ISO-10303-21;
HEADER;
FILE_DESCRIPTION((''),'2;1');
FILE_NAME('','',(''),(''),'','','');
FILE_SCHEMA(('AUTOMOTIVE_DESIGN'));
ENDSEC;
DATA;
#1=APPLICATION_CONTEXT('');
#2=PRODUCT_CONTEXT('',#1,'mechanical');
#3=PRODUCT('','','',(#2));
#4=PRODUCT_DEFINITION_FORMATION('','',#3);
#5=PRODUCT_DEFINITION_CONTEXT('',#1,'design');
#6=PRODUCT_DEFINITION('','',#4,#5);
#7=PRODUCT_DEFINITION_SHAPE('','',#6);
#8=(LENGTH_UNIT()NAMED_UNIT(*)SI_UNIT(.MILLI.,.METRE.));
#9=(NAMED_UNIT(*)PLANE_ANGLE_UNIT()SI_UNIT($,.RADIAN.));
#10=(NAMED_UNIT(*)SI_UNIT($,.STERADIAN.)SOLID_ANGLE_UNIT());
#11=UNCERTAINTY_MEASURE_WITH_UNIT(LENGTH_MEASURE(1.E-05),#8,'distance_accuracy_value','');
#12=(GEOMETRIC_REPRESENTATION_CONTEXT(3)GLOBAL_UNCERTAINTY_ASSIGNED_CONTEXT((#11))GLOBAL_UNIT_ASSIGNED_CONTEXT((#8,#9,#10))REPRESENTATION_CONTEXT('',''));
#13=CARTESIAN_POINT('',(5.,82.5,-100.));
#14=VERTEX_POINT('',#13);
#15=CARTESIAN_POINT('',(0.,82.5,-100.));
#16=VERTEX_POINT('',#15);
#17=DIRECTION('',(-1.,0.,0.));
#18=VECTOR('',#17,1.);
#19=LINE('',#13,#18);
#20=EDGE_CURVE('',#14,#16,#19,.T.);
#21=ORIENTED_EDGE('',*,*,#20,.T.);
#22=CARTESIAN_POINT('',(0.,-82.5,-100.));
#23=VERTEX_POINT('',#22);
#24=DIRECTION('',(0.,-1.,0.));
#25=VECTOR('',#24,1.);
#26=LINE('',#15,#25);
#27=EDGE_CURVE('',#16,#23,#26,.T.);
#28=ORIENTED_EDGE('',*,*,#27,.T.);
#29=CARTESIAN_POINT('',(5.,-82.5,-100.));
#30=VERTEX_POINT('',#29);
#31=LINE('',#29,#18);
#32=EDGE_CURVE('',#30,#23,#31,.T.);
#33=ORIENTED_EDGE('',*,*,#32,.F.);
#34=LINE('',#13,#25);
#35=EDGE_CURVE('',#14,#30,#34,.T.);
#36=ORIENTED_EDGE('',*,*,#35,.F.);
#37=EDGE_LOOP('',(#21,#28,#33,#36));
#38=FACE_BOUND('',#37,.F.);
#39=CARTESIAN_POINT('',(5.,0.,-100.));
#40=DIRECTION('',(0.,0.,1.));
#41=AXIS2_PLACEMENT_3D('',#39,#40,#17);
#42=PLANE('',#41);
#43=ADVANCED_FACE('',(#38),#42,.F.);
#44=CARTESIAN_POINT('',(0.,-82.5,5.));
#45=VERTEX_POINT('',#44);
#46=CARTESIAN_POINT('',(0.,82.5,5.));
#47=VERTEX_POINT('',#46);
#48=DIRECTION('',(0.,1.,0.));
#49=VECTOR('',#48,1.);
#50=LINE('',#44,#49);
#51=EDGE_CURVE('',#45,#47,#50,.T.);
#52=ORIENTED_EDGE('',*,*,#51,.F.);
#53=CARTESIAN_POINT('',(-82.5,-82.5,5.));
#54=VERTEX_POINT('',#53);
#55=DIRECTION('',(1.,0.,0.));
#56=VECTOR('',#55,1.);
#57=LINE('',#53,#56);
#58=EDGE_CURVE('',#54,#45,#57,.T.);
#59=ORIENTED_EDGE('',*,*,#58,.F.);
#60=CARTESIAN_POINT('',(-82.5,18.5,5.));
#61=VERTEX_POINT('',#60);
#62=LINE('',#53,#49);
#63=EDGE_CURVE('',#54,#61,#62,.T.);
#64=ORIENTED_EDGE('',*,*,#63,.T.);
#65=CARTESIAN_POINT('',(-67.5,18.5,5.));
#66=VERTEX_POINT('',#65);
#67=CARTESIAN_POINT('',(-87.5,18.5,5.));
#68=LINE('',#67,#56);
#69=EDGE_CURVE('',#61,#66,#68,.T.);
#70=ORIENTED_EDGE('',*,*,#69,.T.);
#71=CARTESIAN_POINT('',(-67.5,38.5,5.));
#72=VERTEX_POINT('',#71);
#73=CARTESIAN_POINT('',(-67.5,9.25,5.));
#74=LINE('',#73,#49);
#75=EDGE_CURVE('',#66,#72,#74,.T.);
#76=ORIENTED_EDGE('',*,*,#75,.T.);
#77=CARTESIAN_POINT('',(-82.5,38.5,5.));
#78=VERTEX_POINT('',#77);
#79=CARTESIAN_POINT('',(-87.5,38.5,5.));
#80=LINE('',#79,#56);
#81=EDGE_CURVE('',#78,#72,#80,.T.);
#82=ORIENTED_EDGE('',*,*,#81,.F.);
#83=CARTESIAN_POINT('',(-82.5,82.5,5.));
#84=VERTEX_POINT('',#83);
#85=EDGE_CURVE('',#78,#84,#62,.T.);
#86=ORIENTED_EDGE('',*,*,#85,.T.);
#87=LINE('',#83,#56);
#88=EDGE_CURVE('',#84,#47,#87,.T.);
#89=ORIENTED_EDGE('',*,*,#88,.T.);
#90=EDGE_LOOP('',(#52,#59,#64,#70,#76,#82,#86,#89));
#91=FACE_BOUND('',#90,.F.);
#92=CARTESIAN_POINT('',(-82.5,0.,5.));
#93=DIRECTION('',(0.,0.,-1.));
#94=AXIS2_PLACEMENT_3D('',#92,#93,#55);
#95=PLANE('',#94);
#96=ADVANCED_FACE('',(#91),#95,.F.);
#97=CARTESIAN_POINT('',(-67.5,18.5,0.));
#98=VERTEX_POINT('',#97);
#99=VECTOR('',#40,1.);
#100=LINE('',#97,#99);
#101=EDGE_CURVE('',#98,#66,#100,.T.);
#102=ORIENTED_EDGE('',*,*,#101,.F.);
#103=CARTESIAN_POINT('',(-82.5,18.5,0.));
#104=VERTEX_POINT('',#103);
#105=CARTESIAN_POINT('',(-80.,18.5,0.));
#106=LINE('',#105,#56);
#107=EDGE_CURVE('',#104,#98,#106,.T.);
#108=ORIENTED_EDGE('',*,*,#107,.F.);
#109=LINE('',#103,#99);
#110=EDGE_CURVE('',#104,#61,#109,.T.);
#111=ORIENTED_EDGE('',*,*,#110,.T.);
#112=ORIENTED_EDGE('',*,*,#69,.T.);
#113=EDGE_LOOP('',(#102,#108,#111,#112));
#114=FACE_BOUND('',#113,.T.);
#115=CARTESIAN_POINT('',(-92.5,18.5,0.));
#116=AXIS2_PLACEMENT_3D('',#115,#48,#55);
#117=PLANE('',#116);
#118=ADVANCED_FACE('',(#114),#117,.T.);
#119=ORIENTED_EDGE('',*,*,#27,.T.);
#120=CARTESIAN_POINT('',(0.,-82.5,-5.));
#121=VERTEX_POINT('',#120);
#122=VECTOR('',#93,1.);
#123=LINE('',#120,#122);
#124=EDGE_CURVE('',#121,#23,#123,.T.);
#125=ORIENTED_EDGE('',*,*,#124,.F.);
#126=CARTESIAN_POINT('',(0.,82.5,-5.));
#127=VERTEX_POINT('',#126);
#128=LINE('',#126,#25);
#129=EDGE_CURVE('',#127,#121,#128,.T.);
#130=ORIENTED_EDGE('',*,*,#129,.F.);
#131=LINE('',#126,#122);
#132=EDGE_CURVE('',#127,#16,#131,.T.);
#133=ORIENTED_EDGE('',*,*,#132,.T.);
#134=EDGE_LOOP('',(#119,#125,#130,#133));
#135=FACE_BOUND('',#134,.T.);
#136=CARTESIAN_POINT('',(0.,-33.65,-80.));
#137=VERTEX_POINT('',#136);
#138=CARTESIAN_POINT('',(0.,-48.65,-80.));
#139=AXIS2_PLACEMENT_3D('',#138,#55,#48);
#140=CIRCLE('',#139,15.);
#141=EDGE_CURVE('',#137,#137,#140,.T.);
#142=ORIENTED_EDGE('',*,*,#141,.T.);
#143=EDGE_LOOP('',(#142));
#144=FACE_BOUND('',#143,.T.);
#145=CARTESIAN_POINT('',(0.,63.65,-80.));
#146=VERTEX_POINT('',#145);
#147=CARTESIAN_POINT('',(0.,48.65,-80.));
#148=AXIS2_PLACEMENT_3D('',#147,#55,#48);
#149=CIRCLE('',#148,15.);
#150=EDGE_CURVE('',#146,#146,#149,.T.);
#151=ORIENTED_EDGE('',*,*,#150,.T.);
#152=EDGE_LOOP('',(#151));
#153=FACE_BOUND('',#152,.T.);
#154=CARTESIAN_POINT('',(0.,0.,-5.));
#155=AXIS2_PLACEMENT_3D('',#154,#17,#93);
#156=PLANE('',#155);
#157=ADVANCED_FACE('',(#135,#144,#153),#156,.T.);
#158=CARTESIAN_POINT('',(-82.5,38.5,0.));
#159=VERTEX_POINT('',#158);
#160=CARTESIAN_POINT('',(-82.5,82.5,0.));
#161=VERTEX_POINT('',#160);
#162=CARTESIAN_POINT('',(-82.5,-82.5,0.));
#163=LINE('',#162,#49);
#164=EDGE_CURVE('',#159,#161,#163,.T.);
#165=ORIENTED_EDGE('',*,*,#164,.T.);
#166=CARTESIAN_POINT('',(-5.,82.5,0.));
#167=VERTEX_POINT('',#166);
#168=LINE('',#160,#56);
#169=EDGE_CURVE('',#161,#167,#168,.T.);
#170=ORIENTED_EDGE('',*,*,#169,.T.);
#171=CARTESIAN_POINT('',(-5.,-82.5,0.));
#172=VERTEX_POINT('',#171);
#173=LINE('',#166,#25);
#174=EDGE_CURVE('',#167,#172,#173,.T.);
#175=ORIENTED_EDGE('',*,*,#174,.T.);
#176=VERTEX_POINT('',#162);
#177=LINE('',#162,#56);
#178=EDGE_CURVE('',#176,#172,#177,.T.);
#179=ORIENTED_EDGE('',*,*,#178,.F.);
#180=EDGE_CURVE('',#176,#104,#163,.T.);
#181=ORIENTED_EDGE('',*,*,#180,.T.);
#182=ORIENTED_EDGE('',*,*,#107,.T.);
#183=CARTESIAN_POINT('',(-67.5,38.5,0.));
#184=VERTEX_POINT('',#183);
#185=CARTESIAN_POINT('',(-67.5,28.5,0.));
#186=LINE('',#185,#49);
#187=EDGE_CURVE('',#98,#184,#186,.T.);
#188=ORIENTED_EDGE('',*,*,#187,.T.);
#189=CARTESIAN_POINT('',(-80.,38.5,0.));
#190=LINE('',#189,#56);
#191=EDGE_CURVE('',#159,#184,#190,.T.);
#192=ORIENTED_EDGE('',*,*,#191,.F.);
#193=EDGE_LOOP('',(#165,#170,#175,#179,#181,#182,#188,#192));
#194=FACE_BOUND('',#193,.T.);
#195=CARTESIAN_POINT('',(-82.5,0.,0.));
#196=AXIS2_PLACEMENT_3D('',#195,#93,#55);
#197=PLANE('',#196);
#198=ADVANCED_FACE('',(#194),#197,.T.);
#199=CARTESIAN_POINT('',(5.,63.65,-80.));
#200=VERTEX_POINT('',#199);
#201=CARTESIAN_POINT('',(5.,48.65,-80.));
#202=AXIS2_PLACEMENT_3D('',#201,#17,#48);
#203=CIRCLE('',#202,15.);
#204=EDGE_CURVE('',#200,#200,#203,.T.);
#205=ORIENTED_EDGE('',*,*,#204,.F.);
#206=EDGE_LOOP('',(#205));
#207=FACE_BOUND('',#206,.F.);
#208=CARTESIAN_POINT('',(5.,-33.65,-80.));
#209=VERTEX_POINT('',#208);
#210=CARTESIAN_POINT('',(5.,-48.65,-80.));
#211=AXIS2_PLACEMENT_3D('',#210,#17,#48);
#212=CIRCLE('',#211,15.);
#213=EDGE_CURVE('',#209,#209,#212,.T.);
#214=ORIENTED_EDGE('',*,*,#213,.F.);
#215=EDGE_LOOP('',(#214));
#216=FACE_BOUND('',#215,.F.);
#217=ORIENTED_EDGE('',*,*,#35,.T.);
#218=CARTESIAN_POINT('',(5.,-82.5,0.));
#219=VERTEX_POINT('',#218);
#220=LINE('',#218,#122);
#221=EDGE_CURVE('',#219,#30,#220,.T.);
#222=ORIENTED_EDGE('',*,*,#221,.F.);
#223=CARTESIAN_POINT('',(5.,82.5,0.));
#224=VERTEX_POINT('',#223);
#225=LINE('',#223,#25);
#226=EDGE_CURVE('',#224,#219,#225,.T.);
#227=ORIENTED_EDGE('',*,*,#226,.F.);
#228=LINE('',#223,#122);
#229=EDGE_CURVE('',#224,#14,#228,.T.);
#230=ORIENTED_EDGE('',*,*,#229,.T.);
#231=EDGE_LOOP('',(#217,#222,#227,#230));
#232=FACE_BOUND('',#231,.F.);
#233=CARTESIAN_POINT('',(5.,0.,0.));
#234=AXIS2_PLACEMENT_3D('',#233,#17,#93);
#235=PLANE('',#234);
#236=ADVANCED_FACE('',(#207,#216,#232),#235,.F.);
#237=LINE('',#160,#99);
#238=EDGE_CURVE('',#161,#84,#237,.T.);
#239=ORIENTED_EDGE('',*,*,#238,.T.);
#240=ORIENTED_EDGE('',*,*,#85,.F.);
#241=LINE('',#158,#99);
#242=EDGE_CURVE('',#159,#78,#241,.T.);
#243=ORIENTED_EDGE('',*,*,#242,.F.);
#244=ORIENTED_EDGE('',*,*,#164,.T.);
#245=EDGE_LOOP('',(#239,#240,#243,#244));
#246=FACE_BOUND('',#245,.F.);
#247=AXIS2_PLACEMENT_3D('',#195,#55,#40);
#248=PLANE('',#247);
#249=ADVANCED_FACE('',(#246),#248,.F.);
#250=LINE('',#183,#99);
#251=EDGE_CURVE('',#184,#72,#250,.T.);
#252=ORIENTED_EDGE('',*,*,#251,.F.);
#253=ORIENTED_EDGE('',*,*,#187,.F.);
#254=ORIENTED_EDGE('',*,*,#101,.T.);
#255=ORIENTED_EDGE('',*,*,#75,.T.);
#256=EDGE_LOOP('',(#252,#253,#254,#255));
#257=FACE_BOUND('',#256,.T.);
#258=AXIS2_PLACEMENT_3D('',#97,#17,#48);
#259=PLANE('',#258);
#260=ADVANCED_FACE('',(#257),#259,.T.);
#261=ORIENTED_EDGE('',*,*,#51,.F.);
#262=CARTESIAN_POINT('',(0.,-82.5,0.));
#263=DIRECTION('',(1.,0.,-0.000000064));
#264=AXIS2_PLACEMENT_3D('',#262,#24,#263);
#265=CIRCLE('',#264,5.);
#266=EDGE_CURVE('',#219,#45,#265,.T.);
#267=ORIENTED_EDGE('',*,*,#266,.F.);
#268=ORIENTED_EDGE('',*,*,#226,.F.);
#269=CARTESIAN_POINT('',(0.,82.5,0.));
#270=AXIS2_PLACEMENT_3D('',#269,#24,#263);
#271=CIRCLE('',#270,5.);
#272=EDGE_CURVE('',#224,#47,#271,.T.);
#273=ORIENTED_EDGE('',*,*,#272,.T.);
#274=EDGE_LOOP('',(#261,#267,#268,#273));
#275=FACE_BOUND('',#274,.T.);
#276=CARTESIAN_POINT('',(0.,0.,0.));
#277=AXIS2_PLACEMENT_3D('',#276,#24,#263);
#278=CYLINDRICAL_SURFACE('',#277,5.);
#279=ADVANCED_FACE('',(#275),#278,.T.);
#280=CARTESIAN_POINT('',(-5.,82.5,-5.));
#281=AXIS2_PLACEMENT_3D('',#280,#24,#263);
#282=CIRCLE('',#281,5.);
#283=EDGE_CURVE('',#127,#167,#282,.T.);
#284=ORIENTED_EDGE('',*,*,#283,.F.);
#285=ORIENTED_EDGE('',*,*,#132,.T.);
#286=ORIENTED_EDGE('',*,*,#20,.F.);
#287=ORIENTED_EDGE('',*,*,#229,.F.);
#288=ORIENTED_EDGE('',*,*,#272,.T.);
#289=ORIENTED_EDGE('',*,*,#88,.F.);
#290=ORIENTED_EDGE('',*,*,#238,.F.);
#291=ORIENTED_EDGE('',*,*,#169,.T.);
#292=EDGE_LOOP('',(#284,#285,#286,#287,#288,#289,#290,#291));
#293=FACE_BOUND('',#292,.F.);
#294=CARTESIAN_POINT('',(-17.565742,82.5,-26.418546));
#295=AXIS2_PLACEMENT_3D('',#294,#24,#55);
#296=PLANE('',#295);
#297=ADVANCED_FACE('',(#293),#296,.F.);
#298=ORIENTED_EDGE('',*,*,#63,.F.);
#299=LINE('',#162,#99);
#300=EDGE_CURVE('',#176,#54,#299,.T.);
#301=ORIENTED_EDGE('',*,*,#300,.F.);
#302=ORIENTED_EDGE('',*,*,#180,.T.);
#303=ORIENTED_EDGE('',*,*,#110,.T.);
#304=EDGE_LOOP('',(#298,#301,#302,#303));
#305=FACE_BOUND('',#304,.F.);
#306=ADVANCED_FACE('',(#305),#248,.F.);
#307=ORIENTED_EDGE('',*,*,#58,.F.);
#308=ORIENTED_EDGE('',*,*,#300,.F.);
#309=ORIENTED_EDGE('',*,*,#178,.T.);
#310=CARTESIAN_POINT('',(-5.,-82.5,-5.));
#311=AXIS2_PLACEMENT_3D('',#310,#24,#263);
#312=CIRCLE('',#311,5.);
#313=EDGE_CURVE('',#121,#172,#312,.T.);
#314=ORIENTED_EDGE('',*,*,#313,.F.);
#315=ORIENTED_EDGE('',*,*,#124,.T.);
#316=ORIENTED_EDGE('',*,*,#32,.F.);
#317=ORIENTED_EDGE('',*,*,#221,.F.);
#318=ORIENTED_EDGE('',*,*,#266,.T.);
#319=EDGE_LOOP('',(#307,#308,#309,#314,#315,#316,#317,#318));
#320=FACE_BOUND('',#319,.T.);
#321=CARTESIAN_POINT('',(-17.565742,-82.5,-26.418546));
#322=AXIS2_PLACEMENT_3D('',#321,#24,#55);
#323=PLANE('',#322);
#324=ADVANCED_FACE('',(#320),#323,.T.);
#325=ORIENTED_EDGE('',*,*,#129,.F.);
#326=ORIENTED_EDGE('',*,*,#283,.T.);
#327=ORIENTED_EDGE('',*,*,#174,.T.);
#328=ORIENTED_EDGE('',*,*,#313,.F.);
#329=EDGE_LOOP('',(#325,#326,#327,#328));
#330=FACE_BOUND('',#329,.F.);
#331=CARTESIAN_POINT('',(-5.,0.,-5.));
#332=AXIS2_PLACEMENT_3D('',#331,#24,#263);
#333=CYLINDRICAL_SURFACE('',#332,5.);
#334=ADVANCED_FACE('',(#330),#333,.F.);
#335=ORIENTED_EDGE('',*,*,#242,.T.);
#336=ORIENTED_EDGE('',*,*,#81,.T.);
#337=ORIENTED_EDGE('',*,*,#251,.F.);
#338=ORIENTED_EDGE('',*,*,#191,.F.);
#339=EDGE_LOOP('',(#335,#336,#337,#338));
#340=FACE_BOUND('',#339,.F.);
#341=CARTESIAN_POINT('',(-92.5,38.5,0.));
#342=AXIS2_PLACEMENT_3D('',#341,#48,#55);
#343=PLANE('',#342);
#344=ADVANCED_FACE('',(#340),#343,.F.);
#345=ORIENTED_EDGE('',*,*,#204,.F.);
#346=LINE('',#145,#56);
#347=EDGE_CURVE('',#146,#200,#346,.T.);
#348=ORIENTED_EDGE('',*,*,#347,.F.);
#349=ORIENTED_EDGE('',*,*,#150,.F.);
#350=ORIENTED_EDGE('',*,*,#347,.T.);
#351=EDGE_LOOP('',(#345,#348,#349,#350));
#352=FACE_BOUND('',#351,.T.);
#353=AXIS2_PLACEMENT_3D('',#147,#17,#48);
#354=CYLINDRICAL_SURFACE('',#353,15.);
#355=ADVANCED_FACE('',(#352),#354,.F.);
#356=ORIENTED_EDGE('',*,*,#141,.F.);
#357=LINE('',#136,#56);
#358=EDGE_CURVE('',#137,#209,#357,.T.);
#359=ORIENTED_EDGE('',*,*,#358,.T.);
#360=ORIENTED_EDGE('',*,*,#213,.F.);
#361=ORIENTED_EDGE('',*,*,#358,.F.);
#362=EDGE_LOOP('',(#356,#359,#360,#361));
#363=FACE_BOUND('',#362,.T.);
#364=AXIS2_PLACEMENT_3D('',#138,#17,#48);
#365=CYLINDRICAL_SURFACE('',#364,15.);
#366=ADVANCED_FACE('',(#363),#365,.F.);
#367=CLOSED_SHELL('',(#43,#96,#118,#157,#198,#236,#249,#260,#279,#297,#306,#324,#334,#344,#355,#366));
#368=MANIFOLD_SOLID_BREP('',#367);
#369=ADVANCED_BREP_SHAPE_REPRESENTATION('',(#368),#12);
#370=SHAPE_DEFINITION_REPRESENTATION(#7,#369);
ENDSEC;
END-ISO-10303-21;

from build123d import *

# Parameters (mm, degrees)
PAD_DEPTH            = 82.5
SKETCH001_W          = 25
SKETCH001_H          = 20
POCKET_DEPTH         = 100.001
POCKET_DEPTH_BACK    = -5.001
SKETCH002_R          = 15
POCKET001_DEPTH      = 82.501
POCKET001_DEPTH_BACK = -5.001


with BuildPart() as part:
    # Sketch → Pad (new body, symmetric)
    with BuildSketch(Plane.XZ):
        with BuildLine():
            Line((-82.5, 0), (-5, 0))
            ThreePointArc((0, -5), (-1.464466, -1.464466), (-5, 0))
            Line((0, -5), (0, -100))
            Line((5, -100), (0, -100))
            Line((5, 0), (5, -100))
            ThreePointArc((5, 0), (3.535534, 3.535534), (0, 5))
            Line((-82.5, 5), (0, 5))
            Line((-82.5, 0), (-82.5, 5))
        make_face()
    extrude(amount=PAD_DEPTH, both=True)

    # Sketch001 → Pocket (cut, two sides)
    with BuildSketch(Plane.XY) as pocket_sk:
        with Locations((-80, 28.5)):
            Rectangle(SKETCH001_W, SKETCH001_H)
    extrude(amount=-POCKET_DEPTH, mode=Mode.SUBTRACT)
    extrude(pocket_sk.sketch, amount=-POCKET_DEPTH_BACK, mode=Mode.SUBTRACT)

    # Sketch002 → Pocket001 (cut, two sides)
    with BuildSketch(Plane.YZ) as pocket001_sk:
        with Locations((-48.65, -80)):
            Circle(SKETCH002_R)
        with Locations((48.65, -80)):
            Circle(SKETCH002_R)
    extrude(amount=-POCKET001_DEPTH, mode=Mode.SUBTRACT)
    extrude(pocket001_sk.sketch, amount=-POCKET001_DEPTH_BACK, mode=Mode.SUBTRACT)


solid = part.part
